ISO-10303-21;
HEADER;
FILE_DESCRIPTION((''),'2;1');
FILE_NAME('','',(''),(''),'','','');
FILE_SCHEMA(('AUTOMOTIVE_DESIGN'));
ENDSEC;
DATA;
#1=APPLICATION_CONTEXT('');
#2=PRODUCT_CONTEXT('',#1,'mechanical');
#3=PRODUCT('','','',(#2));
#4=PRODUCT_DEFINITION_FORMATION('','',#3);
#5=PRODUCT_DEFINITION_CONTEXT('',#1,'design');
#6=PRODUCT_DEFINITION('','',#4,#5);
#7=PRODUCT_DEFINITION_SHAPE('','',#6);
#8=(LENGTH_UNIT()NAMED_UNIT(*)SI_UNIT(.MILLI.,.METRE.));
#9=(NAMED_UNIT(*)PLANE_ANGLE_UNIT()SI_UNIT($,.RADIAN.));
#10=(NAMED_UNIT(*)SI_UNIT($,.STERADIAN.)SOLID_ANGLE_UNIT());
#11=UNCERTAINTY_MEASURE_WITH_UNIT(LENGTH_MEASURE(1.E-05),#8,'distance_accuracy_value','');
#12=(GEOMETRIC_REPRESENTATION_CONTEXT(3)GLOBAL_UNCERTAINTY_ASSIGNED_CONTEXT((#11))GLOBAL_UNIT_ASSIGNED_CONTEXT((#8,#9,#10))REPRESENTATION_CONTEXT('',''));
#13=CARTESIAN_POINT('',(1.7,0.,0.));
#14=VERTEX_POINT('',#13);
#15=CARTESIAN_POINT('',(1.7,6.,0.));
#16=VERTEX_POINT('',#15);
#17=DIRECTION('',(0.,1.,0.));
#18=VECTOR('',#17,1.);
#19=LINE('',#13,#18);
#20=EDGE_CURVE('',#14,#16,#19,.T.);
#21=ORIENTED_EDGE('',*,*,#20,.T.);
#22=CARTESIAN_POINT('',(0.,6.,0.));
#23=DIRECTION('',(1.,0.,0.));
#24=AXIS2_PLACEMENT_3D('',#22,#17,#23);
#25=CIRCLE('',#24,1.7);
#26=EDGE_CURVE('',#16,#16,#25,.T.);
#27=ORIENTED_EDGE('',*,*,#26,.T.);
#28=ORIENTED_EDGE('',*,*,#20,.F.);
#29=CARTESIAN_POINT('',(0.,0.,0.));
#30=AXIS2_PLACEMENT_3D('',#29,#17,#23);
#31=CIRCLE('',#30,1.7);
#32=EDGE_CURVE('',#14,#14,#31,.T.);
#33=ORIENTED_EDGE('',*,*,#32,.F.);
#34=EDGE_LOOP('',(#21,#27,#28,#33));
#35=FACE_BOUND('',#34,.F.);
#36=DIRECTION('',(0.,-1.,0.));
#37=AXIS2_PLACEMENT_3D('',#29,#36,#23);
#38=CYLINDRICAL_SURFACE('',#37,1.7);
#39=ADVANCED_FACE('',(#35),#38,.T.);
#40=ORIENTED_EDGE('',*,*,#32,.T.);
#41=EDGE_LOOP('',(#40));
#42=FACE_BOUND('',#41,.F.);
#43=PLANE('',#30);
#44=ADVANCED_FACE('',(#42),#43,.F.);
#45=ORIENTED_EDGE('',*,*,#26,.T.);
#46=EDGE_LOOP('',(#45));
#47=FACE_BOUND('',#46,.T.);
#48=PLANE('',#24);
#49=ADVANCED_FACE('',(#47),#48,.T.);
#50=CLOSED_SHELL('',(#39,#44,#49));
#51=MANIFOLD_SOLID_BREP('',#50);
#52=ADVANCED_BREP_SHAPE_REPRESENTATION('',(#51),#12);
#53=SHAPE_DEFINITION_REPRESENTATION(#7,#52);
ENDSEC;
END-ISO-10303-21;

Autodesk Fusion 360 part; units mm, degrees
sketch "Sketch1" plane through (0, 0, 0) normal (0, 1, 0) x (1, 0, 0)
  circle A0 centre (0, 0) radius 1.7
  dimension "d1" = 3.4
extrude "Extrude1" add sketch "Sketch1" along normal blind 6
